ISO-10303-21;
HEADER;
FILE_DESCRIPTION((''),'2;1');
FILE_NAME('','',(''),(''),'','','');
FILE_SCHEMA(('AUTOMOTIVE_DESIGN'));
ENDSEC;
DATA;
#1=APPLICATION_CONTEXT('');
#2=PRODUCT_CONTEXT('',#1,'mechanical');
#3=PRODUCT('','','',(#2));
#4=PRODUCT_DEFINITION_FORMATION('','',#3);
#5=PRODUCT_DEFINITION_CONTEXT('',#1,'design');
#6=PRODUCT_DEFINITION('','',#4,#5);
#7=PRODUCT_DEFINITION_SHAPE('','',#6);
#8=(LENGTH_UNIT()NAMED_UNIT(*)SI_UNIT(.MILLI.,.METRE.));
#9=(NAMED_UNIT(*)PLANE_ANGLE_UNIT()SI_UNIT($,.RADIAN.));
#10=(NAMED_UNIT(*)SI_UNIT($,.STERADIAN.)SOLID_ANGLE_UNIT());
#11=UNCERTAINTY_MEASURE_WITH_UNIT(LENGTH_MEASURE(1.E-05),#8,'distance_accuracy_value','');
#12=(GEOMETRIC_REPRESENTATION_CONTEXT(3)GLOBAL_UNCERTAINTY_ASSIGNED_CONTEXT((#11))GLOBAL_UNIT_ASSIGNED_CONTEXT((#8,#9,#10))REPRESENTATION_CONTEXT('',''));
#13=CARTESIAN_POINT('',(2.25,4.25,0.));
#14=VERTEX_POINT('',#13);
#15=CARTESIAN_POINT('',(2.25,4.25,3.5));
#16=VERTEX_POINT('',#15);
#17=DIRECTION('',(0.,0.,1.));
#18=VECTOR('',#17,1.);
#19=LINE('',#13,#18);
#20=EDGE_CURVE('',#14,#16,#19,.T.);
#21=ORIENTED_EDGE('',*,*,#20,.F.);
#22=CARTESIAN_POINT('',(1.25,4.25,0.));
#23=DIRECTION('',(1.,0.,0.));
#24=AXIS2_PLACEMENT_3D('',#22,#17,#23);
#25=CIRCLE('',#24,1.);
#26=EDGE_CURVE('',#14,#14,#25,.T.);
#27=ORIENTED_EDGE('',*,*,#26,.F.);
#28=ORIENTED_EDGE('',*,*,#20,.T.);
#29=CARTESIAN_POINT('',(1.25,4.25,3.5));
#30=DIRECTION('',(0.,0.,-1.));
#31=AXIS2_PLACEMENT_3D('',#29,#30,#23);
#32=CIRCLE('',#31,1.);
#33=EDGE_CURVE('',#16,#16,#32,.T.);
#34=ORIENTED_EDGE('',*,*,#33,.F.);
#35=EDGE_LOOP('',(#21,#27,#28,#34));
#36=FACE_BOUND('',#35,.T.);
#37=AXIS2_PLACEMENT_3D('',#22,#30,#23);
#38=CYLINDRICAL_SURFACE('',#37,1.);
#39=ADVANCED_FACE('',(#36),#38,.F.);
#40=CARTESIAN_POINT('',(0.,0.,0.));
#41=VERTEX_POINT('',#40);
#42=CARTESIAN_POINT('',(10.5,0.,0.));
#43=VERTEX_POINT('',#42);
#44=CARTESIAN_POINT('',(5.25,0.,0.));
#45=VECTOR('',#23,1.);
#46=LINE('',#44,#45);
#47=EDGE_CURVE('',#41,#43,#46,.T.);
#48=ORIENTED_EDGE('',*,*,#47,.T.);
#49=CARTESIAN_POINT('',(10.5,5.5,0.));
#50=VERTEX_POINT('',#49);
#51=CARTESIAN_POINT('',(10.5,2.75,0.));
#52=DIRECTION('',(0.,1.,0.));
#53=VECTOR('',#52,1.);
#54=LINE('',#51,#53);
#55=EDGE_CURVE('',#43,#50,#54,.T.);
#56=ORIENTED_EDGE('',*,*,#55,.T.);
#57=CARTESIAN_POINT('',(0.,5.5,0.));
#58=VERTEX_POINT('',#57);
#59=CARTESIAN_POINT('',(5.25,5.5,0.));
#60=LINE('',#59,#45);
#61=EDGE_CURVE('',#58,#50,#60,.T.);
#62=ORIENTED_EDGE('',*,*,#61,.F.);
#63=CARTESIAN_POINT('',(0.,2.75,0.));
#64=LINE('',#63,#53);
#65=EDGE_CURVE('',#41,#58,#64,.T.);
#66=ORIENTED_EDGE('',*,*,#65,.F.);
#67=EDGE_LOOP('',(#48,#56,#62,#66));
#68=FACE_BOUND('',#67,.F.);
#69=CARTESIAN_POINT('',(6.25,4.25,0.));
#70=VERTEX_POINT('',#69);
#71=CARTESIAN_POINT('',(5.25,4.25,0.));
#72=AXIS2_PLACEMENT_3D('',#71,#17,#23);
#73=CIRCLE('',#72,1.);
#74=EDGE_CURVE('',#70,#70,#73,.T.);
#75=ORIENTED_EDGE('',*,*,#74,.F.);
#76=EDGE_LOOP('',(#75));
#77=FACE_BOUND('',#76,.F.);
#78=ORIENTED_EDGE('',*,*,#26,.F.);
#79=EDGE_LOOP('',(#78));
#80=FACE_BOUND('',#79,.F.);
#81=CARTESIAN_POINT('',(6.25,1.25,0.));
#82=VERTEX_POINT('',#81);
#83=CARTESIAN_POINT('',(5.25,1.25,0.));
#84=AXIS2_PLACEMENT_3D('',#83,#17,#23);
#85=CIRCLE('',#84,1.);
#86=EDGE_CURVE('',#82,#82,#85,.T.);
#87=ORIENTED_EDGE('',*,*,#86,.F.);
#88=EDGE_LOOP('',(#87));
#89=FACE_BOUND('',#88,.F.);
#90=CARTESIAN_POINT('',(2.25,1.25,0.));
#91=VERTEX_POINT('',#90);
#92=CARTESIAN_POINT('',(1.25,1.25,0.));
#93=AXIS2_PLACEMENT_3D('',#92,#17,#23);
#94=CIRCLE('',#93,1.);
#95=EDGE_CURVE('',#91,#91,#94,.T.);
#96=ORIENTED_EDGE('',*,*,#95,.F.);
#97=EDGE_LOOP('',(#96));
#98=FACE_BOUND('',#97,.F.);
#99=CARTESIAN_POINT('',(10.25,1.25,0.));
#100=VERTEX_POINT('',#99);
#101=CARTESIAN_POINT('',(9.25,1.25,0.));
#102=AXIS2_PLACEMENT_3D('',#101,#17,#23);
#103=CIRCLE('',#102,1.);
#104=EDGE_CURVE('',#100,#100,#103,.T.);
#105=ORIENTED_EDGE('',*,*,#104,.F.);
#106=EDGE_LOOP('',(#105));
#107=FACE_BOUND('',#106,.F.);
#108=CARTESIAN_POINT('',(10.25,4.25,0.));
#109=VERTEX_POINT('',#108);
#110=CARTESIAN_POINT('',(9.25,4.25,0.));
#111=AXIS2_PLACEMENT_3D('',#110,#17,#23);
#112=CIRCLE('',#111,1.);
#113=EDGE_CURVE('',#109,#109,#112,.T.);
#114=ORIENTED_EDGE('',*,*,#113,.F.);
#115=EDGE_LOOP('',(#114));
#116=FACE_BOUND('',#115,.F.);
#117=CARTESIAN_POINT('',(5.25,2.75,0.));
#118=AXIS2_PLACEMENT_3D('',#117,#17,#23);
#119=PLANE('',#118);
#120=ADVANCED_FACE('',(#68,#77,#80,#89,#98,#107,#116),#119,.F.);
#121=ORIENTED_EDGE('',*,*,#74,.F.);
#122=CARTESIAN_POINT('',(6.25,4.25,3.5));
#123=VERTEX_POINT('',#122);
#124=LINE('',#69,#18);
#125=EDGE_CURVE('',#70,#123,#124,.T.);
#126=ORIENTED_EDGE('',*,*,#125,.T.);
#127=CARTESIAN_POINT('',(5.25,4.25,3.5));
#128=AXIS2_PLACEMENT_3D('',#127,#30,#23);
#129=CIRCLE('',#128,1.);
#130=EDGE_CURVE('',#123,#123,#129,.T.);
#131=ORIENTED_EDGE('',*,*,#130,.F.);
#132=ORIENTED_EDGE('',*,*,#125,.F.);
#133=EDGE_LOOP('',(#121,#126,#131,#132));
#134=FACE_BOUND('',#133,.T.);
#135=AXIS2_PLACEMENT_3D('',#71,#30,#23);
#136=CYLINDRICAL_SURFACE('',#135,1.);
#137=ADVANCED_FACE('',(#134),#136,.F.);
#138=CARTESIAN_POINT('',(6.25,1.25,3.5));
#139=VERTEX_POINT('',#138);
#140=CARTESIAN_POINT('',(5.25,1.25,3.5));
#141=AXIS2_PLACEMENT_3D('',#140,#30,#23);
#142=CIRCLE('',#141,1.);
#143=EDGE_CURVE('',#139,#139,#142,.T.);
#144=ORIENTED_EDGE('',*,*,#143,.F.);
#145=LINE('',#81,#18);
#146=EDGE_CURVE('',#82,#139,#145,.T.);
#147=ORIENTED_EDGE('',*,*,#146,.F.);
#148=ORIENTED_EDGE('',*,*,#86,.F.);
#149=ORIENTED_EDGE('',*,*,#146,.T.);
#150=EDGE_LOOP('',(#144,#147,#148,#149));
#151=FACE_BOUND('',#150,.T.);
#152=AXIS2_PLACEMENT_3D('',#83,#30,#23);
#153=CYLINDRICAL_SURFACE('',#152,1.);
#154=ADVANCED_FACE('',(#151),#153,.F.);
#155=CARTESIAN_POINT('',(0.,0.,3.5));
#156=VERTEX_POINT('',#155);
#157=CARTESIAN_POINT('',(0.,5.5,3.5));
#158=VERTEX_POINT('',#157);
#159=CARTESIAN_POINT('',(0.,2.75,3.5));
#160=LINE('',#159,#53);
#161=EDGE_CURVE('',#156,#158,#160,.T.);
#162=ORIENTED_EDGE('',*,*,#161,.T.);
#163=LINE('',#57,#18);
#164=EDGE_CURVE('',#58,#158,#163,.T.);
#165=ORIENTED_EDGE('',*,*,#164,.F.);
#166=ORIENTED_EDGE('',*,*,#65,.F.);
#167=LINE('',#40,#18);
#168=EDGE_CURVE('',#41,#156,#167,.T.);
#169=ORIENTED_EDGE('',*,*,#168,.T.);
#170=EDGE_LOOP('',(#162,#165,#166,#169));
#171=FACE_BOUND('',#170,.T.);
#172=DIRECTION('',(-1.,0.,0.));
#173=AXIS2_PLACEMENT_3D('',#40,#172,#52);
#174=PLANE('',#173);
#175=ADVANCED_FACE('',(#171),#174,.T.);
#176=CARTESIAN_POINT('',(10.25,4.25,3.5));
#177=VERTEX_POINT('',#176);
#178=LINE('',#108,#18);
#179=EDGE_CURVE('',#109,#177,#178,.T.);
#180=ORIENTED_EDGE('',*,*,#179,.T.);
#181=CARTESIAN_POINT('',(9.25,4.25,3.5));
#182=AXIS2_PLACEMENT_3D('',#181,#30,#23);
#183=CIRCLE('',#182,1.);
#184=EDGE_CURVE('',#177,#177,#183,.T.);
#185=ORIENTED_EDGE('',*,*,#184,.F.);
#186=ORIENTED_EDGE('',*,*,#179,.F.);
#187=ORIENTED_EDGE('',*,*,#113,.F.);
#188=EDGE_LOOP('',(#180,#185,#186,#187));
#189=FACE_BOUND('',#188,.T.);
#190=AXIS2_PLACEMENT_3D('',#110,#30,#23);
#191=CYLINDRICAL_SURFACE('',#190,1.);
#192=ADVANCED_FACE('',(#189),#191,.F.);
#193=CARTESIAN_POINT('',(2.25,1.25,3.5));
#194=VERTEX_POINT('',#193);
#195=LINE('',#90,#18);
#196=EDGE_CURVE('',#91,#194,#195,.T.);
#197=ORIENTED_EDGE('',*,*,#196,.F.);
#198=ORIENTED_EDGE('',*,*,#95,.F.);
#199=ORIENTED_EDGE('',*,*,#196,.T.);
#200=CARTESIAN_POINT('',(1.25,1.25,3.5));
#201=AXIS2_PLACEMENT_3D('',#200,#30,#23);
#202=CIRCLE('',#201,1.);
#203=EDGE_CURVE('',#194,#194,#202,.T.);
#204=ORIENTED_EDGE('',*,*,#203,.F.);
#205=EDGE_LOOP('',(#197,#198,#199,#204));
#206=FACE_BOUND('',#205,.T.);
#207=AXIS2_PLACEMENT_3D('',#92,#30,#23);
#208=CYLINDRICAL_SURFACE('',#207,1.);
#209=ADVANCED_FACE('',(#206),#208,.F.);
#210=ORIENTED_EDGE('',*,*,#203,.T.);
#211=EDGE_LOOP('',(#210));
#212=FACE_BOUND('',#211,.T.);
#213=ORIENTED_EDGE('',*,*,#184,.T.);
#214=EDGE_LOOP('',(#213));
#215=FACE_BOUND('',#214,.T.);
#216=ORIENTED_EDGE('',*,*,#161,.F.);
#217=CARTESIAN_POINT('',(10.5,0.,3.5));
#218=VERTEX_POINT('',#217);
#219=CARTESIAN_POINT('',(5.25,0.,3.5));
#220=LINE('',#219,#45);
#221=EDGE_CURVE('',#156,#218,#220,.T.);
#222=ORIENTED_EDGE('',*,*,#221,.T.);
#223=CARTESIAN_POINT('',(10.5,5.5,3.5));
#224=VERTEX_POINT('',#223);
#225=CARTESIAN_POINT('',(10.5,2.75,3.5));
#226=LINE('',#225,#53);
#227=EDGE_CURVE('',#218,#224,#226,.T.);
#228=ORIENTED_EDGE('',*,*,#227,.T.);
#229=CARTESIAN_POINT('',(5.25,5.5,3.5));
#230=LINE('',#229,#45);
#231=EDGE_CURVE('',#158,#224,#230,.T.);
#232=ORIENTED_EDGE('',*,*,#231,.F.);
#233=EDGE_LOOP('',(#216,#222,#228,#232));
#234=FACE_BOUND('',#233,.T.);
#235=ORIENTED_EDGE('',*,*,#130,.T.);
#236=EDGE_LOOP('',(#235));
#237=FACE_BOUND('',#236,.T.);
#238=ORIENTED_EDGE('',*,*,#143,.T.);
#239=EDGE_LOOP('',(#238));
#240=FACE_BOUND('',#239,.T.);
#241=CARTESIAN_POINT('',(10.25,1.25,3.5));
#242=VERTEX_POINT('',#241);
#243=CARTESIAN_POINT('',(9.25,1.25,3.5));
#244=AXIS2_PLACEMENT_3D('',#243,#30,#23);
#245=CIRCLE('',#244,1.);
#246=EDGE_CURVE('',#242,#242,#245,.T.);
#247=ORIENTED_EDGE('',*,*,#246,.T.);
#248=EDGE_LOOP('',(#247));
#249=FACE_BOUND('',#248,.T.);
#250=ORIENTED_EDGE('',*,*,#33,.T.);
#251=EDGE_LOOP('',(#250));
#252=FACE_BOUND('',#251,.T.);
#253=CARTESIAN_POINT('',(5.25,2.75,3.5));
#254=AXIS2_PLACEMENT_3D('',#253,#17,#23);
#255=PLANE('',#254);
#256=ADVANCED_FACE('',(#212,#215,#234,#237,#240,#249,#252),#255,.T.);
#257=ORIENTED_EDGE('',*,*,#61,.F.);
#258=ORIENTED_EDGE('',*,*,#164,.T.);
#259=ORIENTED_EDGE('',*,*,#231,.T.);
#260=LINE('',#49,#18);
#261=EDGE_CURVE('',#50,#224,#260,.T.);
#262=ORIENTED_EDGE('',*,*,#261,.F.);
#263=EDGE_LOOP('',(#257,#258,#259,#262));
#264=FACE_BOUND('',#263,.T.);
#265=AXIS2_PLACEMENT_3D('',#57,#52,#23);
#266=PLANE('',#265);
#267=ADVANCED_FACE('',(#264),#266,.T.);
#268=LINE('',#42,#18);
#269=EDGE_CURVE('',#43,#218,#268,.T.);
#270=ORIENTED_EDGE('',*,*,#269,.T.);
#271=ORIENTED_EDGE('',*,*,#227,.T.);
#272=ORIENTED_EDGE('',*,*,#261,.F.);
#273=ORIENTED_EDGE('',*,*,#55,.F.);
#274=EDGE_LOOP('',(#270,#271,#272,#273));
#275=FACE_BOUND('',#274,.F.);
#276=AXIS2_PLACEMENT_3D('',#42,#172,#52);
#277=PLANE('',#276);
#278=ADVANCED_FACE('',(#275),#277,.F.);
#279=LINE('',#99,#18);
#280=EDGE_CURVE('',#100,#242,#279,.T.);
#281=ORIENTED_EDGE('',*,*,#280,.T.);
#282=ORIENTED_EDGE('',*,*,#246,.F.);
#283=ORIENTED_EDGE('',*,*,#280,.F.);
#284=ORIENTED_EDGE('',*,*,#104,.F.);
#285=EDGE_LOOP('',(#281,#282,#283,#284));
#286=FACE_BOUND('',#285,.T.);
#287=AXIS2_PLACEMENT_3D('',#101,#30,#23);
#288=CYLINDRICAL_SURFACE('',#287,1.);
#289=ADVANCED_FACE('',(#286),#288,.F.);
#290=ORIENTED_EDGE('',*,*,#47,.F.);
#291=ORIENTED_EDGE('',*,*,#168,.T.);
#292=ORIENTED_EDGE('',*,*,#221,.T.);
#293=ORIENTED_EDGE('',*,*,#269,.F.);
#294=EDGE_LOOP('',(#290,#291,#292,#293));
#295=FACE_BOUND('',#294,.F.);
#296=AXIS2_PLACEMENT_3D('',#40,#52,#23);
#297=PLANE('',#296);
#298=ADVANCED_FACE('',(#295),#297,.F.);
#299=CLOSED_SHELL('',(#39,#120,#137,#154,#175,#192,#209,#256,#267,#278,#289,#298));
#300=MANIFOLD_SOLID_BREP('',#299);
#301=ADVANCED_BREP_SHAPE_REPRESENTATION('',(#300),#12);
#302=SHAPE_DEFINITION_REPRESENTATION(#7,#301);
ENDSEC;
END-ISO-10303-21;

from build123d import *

# Parameters (mm, degrees)
SKETCH096_R      = 1
EXTRUDE013_DEPTH = 4
SKETCH095_R      = 1
EXTRUDE014_DEPTH = 4
SKETCH094_R      = 1
EXTRUDE012_DEPTH = 4
SKETCH093_W      = 10.5
SKETCH093_H      = 5.5
EXTRUDE011_DEPTH = 3.5


with BuildPart() as extrude013:
    # Sketch096 → Extrude013 (new body)
    with BuildSketch(Plane(origin=(8.25, 0.25, 0), x_dir=(1, 0, 0), z_dir=(0, 0, 1))):
        with Locations((1, 1)):
            Circle(SKETCH096_R)
        with Locations((1, 4)):
            Circle(SKETCH096_R)
    extrude(amount=EXTRUDE013_DEPTH)


with BuildPart() as extrude014:
    # Sketch095 → Extrude014 (new body)
    with BuildSketch(Plane(origin=(4.25, 0.25, 0), x_dir=(1, 0, 0), z_dir=(0, 0, 1))):
        with Locations((1, 1)):
            Circle(SKETCH095_R)
        with Locations((1, 4)):
            Circle(SKETCH095_R)
    extrude(amount=EXTRUDE014_DEPTH)


with BuildPart() as fusion008:
    # Sketch094 → Extrude012 (new body)
    with BuildSketch(Plane(origin=(0.25, 0.25, 0), x_dir=(1, 0, 0), z_dir=(0, 0, 1))):
        with Locations((1, 1)):
            Circle(SKETCH094_R)
        with Locations((1, 4)):
            Circle(SKETCH094_R)
    extrude(amount=EXTRUDE012_DEPTH)

    # Fusion008: union Extrude013, Extrude014
    add(extrude013.part)
    add(extrude014.part)


with BuildPart() as cut014:
    # Sketch093 → Extrude011 (new body)
    with BuildSketch(Plane.XY):
        with Locations((5.25, 2.75)):
            Rectangle(SKETCH093_W, SKETCH093_H)
    extrude(amount=EXTRUDE011_DEPTH)

    # Cut014: cut Fusion008
    add(fusion008.part, mode=Mode.SUBTRACT)


solid = cut014.part
